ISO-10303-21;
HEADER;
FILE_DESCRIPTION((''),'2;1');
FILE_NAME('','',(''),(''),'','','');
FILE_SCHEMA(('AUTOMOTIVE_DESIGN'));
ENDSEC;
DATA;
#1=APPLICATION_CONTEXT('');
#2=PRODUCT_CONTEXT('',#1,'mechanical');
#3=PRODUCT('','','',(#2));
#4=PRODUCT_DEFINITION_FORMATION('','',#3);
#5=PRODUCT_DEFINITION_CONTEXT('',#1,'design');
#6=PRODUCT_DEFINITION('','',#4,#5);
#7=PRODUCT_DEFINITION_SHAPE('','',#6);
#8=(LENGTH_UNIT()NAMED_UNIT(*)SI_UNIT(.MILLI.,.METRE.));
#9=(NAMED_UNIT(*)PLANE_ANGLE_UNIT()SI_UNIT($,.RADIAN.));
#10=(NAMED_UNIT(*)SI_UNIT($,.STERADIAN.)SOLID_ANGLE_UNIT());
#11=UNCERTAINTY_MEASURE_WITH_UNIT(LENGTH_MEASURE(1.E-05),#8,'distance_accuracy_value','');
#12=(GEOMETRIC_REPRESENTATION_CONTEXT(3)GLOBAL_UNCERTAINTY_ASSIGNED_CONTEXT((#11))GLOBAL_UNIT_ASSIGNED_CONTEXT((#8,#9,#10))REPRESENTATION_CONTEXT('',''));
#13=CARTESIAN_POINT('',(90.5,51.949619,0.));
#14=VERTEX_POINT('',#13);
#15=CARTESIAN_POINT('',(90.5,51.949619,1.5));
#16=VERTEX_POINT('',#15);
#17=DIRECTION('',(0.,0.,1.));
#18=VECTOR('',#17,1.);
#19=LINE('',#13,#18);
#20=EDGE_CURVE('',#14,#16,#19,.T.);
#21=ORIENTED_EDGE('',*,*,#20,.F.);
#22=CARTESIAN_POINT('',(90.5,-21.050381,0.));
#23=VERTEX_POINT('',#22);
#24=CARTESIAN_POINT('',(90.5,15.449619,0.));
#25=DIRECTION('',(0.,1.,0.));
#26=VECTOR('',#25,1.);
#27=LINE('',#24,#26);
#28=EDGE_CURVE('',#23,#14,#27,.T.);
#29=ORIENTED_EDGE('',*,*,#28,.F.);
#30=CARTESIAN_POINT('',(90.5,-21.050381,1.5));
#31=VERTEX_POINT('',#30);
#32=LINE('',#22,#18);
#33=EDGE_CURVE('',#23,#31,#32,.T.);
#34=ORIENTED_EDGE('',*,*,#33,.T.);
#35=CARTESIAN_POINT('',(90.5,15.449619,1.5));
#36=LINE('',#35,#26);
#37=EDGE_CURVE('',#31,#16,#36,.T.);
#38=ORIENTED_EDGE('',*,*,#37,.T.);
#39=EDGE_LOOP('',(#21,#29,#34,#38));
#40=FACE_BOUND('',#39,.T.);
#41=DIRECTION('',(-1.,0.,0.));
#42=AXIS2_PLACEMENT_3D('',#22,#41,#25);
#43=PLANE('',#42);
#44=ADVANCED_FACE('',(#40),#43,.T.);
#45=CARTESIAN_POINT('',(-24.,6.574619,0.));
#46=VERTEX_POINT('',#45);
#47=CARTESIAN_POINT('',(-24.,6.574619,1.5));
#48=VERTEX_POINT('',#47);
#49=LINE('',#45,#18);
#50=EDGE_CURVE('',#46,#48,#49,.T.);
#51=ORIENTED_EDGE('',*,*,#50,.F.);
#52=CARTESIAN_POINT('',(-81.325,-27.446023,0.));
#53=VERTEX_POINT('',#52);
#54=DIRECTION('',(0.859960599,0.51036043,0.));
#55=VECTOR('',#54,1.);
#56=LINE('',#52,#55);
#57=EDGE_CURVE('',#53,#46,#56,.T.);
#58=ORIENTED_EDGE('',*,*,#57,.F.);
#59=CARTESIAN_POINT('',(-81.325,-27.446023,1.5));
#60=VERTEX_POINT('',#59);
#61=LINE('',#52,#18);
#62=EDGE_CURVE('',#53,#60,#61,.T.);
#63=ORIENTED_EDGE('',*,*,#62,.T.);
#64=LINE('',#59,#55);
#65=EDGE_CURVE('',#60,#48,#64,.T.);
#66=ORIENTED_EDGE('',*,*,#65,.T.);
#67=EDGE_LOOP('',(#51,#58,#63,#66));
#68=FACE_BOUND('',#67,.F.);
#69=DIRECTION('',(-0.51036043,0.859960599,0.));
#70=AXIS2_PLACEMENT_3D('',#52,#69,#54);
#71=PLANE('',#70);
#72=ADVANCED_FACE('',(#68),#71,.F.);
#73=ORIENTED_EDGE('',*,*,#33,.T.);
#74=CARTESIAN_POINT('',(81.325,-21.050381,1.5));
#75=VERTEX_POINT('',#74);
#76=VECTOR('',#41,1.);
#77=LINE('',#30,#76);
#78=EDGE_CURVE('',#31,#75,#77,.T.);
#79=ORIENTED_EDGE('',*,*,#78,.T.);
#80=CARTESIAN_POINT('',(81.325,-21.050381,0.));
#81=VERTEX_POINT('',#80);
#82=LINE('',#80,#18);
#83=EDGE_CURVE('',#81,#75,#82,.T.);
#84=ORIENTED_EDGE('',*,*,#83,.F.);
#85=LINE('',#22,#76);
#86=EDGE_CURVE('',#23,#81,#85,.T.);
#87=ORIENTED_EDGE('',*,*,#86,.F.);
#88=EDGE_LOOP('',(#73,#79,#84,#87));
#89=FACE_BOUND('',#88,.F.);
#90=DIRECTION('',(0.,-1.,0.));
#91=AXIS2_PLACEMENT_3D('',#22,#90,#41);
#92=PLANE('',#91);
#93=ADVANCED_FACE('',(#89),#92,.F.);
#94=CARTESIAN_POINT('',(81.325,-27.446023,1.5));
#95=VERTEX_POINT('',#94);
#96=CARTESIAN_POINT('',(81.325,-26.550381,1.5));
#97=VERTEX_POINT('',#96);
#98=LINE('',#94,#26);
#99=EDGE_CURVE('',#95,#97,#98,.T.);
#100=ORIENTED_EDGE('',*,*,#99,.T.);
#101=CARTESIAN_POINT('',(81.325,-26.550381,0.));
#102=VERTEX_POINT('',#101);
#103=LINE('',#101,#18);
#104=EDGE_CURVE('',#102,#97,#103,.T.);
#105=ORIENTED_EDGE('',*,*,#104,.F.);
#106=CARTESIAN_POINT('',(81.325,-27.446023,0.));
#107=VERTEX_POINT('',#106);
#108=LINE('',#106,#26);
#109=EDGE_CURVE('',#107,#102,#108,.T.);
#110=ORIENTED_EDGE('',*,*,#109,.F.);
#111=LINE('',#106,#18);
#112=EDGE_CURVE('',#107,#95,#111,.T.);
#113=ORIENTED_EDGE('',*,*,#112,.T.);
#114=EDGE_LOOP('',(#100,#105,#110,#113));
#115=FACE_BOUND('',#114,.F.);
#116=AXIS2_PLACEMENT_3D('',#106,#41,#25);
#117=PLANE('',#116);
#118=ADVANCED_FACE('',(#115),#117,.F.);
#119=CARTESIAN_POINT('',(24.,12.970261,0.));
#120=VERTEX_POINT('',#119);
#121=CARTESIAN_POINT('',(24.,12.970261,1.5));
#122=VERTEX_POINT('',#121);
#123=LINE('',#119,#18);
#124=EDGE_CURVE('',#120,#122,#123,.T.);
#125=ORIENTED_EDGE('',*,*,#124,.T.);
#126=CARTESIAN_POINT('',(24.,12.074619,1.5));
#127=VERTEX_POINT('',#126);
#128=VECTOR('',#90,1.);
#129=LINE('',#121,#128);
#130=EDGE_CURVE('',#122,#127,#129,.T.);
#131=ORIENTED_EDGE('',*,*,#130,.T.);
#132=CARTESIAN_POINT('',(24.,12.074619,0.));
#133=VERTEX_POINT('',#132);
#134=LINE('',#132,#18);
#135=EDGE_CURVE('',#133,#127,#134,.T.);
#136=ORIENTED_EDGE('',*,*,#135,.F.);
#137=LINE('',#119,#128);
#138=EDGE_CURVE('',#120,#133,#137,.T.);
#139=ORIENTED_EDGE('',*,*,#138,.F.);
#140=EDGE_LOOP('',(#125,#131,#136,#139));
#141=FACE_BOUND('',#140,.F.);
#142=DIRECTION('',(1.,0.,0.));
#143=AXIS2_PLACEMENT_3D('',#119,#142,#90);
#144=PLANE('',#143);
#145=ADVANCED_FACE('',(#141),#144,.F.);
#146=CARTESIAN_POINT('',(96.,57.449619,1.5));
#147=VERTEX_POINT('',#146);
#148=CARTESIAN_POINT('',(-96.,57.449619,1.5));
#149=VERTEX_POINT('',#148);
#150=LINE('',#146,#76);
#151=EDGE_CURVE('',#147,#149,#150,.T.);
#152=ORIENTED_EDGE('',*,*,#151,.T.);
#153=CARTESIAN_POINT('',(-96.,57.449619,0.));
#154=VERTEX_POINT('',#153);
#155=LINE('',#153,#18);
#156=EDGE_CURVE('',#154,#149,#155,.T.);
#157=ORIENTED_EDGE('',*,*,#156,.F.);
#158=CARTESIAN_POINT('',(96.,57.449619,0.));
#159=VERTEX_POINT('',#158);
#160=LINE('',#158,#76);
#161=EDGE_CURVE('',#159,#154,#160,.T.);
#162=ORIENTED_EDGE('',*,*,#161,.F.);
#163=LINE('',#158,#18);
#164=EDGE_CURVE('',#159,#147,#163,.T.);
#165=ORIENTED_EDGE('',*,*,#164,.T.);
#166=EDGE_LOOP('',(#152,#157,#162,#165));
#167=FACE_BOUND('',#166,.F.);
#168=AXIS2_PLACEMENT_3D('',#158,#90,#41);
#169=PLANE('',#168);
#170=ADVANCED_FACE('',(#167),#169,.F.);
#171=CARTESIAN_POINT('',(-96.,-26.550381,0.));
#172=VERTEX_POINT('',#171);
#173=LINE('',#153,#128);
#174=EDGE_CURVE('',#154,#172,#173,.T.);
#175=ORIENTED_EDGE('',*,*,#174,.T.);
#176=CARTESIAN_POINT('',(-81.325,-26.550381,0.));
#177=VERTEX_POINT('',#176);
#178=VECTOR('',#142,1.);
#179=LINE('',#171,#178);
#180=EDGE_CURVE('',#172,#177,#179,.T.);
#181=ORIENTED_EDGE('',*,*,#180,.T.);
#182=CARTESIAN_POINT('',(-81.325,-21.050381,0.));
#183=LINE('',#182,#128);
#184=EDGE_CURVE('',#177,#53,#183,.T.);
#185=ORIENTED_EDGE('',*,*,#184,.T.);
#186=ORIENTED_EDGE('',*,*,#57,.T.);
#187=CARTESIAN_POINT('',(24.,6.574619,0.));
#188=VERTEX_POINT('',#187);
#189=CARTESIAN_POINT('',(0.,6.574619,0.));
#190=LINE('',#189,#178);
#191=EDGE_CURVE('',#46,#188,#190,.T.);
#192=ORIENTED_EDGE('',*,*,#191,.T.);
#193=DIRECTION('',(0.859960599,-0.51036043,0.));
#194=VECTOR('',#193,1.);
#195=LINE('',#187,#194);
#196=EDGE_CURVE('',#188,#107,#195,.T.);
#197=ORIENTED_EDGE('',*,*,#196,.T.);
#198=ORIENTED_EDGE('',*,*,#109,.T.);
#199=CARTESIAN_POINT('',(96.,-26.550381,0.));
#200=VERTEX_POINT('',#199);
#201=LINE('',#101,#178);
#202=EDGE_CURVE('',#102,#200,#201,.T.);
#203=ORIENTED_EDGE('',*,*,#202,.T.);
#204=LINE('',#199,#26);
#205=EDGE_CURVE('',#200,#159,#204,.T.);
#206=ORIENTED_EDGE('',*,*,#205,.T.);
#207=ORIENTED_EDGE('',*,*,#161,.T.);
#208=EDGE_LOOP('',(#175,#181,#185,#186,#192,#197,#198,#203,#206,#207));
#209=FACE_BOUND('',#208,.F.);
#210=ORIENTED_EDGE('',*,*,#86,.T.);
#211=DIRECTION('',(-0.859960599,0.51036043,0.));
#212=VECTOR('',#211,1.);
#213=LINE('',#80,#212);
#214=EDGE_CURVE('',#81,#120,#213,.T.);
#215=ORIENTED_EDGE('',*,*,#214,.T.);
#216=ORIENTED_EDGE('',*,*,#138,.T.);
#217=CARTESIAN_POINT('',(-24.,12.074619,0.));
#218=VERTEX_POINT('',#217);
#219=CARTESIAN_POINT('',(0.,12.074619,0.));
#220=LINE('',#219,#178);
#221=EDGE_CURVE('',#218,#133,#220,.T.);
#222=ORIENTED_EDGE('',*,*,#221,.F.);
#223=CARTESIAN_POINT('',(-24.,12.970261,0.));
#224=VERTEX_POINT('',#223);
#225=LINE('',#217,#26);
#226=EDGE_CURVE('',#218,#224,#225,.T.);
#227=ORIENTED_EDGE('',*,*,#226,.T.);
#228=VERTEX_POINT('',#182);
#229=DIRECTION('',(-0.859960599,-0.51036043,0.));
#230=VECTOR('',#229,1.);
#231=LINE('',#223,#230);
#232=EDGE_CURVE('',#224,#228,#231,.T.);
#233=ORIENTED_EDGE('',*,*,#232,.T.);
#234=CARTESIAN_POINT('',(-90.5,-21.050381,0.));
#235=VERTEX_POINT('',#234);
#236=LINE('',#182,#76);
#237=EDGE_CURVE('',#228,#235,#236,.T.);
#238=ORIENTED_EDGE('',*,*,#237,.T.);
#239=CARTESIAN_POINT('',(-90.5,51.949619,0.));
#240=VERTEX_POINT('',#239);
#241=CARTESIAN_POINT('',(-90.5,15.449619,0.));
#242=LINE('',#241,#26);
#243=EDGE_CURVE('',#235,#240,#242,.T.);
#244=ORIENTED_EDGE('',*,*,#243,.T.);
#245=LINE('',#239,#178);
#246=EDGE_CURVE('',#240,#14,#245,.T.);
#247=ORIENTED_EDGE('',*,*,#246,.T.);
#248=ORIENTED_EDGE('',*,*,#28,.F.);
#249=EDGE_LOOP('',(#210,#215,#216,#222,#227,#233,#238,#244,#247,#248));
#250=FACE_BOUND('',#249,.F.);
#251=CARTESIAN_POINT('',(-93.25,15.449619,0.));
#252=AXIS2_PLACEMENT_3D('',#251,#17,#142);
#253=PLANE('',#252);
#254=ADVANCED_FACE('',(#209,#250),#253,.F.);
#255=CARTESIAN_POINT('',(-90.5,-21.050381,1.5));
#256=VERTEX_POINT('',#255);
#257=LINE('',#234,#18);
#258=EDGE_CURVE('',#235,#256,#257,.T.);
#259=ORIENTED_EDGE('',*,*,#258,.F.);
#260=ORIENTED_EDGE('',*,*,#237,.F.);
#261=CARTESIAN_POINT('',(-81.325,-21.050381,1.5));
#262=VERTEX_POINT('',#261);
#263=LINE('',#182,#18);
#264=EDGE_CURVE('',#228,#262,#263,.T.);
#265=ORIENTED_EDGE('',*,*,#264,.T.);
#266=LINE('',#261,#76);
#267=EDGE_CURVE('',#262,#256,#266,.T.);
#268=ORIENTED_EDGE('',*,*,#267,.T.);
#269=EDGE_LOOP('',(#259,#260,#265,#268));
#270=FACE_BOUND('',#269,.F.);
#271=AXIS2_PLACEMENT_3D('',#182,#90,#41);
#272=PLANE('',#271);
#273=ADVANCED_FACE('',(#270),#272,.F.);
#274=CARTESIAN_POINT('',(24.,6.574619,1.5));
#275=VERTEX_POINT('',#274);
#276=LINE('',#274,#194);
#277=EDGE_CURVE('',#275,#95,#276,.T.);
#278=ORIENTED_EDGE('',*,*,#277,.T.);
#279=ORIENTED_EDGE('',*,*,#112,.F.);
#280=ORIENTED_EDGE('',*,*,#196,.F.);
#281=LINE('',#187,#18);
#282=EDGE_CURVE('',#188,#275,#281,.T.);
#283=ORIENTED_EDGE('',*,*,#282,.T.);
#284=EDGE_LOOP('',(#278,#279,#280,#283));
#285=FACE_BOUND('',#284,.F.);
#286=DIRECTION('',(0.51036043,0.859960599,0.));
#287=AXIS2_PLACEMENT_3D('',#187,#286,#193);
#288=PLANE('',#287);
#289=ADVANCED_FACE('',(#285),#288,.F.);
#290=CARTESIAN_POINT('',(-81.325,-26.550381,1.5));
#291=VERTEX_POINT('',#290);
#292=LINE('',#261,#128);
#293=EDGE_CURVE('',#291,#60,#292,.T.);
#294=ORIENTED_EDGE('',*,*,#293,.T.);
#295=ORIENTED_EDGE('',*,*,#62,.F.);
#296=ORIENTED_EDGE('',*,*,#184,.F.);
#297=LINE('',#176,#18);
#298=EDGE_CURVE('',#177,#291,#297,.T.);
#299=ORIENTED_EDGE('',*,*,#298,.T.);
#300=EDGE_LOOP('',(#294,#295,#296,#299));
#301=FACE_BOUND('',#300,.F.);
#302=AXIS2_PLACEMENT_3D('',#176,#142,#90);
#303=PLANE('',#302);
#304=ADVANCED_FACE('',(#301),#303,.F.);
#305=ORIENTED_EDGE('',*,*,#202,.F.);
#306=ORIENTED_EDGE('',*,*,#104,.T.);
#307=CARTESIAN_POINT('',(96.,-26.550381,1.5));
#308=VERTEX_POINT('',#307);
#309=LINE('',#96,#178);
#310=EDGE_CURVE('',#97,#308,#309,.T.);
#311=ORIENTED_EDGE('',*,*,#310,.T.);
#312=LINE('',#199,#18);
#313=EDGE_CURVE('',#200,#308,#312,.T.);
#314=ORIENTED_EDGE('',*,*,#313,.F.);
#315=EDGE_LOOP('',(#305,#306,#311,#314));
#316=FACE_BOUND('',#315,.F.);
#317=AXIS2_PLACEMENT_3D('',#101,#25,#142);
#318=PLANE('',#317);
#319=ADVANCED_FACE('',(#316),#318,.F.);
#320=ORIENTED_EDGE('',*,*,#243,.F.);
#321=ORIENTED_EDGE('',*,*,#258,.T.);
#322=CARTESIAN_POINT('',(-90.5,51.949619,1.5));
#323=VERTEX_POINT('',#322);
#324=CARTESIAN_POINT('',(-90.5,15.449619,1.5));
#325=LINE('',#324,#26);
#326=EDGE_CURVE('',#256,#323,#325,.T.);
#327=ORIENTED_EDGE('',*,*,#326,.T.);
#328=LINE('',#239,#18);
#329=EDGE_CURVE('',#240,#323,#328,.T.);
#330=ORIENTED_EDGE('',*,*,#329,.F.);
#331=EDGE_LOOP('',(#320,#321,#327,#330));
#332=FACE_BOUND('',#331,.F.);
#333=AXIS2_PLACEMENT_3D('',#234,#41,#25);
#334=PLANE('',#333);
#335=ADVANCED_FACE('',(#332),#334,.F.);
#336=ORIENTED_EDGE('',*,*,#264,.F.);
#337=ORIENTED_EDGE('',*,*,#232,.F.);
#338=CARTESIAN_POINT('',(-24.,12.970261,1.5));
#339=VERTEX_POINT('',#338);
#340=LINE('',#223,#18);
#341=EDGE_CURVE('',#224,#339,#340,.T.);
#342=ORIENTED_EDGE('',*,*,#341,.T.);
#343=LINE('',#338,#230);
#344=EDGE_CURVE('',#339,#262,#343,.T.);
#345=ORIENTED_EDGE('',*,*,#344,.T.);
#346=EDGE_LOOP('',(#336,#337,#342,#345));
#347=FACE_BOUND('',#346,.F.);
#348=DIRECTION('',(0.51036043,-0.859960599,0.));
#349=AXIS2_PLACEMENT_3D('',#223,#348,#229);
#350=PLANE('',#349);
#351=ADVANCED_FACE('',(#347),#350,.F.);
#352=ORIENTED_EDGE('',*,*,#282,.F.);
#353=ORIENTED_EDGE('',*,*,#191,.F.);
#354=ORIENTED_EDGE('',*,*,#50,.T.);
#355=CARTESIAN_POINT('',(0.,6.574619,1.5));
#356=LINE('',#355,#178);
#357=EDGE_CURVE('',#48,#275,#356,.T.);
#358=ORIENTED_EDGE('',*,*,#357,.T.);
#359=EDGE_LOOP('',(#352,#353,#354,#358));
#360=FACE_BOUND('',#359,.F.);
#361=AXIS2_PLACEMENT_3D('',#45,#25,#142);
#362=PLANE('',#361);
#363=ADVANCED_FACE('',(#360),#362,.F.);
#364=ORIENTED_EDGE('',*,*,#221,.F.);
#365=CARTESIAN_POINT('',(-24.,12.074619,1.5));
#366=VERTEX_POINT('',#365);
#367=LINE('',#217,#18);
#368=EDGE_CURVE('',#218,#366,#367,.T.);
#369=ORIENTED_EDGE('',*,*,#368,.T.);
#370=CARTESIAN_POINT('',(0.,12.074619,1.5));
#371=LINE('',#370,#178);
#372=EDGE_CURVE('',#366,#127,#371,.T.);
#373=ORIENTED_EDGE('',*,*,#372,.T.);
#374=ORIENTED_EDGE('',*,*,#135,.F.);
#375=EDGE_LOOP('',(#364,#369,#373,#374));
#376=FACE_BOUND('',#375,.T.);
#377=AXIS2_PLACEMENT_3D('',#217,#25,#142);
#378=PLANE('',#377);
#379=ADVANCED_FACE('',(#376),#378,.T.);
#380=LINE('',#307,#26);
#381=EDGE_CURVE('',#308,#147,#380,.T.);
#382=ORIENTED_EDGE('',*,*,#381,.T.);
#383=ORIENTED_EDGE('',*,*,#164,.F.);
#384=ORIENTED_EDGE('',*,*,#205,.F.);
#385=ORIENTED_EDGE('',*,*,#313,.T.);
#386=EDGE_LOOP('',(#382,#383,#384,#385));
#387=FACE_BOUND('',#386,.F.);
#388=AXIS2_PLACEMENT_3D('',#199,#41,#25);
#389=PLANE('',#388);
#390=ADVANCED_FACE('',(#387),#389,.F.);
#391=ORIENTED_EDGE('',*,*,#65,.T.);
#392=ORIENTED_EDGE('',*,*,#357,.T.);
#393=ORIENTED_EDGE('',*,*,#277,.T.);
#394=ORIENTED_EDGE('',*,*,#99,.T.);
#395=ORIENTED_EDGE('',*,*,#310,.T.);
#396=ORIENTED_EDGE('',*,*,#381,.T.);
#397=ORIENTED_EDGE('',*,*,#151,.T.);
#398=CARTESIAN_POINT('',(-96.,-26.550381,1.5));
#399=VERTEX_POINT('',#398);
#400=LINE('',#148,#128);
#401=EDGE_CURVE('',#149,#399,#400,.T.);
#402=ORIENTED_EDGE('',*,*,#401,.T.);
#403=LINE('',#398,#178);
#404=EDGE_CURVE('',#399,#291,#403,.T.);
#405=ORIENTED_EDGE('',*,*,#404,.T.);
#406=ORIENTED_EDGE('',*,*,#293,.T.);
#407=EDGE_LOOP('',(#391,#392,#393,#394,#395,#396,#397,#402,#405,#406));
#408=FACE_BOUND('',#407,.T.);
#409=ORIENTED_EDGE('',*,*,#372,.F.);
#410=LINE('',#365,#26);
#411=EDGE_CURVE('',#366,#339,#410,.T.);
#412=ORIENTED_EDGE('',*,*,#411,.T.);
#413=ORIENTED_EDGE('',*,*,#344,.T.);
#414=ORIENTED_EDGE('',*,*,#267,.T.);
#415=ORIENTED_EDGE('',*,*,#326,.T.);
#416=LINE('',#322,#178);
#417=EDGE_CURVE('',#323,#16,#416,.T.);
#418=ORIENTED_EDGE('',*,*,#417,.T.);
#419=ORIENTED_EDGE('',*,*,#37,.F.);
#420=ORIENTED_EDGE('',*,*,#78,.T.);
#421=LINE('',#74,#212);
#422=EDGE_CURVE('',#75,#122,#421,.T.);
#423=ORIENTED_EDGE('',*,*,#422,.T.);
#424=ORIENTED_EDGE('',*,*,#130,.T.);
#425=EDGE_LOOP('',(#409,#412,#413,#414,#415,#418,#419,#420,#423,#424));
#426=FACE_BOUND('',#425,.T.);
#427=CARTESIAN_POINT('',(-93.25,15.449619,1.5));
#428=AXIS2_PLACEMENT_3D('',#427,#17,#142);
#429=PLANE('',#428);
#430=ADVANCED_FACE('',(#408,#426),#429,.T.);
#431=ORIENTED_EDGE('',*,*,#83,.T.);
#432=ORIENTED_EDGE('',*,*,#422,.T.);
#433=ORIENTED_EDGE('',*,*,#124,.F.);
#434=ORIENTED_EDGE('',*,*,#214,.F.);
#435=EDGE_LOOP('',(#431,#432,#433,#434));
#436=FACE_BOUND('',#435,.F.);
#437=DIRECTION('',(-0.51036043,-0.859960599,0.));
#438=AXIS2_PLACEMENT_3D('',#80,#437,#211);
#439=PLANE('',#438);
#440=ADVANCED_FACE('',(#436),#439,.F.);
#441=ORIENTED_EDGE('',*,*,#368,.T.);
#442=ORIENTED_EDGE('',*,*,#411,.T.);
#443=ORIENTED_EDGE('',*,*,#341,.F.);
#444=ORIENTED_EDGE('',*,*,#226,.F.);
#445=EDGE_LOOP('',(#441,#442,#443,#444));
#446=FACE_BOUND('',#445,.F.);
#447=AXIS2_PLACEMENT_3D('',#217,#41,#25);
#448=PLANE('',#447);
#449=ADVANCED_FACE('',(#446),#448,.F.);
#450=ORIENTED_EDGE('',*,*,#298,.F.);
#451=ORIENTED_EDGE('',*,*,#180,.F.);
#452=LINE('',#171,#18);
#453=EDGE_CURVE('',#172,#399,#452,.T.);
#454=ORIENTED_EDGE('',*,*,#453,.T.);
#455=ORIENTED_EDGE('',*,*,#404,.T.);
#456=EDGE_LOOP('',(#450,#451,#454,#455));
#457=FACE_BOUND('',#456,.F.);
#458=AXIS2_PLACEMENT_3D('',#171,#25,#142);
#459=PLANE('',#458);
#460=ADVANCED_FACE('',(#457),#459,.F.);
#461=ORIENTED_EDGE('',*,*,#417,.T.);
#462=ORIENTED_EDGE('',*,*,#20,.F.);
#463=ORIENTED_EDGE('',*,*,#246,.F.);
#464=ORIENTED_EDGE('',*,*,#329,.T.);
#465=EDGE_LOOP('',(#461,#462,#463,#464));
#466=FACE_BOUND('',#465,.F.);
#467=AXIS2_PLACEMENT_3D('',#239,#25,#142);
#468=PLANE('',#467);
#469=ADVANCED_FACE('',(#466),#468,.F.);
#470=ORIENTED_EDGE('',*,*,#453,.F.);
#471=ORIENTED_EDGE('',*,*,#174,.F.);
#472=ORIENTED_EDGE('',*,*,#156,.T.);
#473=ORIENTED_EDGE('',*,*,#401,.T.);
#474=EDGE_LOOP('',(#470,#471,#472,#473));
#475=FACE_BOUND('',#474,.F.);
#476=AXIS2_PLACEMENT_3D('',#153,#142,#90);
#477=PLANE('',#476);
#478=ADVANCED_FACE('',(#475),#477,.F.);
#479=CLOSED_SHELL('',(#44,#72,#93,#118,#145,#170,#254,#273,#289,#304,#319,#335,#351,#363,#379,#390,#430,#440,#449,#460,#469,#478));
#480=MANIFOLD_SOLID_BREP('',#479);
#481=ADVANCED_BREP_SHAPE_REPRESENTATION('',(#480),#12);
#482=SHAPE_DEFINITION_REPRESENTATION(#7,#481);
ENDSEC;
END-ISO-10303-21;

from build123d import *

# Parameters (mm, degrees)
F0_W     = 5.5
F0_H     = 73
F0_W_2   = 48
F0_H_2   = 5.5
F1_DEPTH = 1.5


with BuildPart() as f1:
    # F0 (on Top) → F1 (new body)
    with BuildSketch(Plane.XY):
        with Locations((-93.25, 15.449619)):
            Rectangle(F0_W, F0_H)
        Polygon((0, 57.449619), (-96, 57.449619), (-96, 51.949619), (-90.5, 51.949619), (0, 51.949619), align=None)
        Polygon((96, 57.449619), (0, 57.449619), (0, 51.949619), (90.5, 51.949619), (96, 51.949619), align=None)
        with Locations((93.25, 15.449619)):
            Rectangle(F0_W, F0_H)
        Polygon((96, -21.050381), (90.5, -21.050381), (81.325, -21.050381), (81.325, -26.550381), (96, -26.550381), align=None)
        Polygon((81.325, -26.550381), (81.325, -21.050381), (24, 12.970261), (24, 12.074619), (24, 6.574619), (81.325, -27.446023), align=None)
        with Locations((0, 9.324619)):
            Rectangle(F0_W_2, F0_H_2)
        Polygon((-24, 12.970261), (-81.325, -21.050381), (-81.325, -26.550381), (-81.325, -27.446023), (-24, 6.574619), (-24, 12.074619), align=None)
        Polygon((-90.5, -21.050381), (-96, -21.050381), (-96, -26.550381), (-81.325, -26.550381), (-81.325, -21.050381), align=None)
    extrude(amount=F1_DEPTH)


solid = f1.part
